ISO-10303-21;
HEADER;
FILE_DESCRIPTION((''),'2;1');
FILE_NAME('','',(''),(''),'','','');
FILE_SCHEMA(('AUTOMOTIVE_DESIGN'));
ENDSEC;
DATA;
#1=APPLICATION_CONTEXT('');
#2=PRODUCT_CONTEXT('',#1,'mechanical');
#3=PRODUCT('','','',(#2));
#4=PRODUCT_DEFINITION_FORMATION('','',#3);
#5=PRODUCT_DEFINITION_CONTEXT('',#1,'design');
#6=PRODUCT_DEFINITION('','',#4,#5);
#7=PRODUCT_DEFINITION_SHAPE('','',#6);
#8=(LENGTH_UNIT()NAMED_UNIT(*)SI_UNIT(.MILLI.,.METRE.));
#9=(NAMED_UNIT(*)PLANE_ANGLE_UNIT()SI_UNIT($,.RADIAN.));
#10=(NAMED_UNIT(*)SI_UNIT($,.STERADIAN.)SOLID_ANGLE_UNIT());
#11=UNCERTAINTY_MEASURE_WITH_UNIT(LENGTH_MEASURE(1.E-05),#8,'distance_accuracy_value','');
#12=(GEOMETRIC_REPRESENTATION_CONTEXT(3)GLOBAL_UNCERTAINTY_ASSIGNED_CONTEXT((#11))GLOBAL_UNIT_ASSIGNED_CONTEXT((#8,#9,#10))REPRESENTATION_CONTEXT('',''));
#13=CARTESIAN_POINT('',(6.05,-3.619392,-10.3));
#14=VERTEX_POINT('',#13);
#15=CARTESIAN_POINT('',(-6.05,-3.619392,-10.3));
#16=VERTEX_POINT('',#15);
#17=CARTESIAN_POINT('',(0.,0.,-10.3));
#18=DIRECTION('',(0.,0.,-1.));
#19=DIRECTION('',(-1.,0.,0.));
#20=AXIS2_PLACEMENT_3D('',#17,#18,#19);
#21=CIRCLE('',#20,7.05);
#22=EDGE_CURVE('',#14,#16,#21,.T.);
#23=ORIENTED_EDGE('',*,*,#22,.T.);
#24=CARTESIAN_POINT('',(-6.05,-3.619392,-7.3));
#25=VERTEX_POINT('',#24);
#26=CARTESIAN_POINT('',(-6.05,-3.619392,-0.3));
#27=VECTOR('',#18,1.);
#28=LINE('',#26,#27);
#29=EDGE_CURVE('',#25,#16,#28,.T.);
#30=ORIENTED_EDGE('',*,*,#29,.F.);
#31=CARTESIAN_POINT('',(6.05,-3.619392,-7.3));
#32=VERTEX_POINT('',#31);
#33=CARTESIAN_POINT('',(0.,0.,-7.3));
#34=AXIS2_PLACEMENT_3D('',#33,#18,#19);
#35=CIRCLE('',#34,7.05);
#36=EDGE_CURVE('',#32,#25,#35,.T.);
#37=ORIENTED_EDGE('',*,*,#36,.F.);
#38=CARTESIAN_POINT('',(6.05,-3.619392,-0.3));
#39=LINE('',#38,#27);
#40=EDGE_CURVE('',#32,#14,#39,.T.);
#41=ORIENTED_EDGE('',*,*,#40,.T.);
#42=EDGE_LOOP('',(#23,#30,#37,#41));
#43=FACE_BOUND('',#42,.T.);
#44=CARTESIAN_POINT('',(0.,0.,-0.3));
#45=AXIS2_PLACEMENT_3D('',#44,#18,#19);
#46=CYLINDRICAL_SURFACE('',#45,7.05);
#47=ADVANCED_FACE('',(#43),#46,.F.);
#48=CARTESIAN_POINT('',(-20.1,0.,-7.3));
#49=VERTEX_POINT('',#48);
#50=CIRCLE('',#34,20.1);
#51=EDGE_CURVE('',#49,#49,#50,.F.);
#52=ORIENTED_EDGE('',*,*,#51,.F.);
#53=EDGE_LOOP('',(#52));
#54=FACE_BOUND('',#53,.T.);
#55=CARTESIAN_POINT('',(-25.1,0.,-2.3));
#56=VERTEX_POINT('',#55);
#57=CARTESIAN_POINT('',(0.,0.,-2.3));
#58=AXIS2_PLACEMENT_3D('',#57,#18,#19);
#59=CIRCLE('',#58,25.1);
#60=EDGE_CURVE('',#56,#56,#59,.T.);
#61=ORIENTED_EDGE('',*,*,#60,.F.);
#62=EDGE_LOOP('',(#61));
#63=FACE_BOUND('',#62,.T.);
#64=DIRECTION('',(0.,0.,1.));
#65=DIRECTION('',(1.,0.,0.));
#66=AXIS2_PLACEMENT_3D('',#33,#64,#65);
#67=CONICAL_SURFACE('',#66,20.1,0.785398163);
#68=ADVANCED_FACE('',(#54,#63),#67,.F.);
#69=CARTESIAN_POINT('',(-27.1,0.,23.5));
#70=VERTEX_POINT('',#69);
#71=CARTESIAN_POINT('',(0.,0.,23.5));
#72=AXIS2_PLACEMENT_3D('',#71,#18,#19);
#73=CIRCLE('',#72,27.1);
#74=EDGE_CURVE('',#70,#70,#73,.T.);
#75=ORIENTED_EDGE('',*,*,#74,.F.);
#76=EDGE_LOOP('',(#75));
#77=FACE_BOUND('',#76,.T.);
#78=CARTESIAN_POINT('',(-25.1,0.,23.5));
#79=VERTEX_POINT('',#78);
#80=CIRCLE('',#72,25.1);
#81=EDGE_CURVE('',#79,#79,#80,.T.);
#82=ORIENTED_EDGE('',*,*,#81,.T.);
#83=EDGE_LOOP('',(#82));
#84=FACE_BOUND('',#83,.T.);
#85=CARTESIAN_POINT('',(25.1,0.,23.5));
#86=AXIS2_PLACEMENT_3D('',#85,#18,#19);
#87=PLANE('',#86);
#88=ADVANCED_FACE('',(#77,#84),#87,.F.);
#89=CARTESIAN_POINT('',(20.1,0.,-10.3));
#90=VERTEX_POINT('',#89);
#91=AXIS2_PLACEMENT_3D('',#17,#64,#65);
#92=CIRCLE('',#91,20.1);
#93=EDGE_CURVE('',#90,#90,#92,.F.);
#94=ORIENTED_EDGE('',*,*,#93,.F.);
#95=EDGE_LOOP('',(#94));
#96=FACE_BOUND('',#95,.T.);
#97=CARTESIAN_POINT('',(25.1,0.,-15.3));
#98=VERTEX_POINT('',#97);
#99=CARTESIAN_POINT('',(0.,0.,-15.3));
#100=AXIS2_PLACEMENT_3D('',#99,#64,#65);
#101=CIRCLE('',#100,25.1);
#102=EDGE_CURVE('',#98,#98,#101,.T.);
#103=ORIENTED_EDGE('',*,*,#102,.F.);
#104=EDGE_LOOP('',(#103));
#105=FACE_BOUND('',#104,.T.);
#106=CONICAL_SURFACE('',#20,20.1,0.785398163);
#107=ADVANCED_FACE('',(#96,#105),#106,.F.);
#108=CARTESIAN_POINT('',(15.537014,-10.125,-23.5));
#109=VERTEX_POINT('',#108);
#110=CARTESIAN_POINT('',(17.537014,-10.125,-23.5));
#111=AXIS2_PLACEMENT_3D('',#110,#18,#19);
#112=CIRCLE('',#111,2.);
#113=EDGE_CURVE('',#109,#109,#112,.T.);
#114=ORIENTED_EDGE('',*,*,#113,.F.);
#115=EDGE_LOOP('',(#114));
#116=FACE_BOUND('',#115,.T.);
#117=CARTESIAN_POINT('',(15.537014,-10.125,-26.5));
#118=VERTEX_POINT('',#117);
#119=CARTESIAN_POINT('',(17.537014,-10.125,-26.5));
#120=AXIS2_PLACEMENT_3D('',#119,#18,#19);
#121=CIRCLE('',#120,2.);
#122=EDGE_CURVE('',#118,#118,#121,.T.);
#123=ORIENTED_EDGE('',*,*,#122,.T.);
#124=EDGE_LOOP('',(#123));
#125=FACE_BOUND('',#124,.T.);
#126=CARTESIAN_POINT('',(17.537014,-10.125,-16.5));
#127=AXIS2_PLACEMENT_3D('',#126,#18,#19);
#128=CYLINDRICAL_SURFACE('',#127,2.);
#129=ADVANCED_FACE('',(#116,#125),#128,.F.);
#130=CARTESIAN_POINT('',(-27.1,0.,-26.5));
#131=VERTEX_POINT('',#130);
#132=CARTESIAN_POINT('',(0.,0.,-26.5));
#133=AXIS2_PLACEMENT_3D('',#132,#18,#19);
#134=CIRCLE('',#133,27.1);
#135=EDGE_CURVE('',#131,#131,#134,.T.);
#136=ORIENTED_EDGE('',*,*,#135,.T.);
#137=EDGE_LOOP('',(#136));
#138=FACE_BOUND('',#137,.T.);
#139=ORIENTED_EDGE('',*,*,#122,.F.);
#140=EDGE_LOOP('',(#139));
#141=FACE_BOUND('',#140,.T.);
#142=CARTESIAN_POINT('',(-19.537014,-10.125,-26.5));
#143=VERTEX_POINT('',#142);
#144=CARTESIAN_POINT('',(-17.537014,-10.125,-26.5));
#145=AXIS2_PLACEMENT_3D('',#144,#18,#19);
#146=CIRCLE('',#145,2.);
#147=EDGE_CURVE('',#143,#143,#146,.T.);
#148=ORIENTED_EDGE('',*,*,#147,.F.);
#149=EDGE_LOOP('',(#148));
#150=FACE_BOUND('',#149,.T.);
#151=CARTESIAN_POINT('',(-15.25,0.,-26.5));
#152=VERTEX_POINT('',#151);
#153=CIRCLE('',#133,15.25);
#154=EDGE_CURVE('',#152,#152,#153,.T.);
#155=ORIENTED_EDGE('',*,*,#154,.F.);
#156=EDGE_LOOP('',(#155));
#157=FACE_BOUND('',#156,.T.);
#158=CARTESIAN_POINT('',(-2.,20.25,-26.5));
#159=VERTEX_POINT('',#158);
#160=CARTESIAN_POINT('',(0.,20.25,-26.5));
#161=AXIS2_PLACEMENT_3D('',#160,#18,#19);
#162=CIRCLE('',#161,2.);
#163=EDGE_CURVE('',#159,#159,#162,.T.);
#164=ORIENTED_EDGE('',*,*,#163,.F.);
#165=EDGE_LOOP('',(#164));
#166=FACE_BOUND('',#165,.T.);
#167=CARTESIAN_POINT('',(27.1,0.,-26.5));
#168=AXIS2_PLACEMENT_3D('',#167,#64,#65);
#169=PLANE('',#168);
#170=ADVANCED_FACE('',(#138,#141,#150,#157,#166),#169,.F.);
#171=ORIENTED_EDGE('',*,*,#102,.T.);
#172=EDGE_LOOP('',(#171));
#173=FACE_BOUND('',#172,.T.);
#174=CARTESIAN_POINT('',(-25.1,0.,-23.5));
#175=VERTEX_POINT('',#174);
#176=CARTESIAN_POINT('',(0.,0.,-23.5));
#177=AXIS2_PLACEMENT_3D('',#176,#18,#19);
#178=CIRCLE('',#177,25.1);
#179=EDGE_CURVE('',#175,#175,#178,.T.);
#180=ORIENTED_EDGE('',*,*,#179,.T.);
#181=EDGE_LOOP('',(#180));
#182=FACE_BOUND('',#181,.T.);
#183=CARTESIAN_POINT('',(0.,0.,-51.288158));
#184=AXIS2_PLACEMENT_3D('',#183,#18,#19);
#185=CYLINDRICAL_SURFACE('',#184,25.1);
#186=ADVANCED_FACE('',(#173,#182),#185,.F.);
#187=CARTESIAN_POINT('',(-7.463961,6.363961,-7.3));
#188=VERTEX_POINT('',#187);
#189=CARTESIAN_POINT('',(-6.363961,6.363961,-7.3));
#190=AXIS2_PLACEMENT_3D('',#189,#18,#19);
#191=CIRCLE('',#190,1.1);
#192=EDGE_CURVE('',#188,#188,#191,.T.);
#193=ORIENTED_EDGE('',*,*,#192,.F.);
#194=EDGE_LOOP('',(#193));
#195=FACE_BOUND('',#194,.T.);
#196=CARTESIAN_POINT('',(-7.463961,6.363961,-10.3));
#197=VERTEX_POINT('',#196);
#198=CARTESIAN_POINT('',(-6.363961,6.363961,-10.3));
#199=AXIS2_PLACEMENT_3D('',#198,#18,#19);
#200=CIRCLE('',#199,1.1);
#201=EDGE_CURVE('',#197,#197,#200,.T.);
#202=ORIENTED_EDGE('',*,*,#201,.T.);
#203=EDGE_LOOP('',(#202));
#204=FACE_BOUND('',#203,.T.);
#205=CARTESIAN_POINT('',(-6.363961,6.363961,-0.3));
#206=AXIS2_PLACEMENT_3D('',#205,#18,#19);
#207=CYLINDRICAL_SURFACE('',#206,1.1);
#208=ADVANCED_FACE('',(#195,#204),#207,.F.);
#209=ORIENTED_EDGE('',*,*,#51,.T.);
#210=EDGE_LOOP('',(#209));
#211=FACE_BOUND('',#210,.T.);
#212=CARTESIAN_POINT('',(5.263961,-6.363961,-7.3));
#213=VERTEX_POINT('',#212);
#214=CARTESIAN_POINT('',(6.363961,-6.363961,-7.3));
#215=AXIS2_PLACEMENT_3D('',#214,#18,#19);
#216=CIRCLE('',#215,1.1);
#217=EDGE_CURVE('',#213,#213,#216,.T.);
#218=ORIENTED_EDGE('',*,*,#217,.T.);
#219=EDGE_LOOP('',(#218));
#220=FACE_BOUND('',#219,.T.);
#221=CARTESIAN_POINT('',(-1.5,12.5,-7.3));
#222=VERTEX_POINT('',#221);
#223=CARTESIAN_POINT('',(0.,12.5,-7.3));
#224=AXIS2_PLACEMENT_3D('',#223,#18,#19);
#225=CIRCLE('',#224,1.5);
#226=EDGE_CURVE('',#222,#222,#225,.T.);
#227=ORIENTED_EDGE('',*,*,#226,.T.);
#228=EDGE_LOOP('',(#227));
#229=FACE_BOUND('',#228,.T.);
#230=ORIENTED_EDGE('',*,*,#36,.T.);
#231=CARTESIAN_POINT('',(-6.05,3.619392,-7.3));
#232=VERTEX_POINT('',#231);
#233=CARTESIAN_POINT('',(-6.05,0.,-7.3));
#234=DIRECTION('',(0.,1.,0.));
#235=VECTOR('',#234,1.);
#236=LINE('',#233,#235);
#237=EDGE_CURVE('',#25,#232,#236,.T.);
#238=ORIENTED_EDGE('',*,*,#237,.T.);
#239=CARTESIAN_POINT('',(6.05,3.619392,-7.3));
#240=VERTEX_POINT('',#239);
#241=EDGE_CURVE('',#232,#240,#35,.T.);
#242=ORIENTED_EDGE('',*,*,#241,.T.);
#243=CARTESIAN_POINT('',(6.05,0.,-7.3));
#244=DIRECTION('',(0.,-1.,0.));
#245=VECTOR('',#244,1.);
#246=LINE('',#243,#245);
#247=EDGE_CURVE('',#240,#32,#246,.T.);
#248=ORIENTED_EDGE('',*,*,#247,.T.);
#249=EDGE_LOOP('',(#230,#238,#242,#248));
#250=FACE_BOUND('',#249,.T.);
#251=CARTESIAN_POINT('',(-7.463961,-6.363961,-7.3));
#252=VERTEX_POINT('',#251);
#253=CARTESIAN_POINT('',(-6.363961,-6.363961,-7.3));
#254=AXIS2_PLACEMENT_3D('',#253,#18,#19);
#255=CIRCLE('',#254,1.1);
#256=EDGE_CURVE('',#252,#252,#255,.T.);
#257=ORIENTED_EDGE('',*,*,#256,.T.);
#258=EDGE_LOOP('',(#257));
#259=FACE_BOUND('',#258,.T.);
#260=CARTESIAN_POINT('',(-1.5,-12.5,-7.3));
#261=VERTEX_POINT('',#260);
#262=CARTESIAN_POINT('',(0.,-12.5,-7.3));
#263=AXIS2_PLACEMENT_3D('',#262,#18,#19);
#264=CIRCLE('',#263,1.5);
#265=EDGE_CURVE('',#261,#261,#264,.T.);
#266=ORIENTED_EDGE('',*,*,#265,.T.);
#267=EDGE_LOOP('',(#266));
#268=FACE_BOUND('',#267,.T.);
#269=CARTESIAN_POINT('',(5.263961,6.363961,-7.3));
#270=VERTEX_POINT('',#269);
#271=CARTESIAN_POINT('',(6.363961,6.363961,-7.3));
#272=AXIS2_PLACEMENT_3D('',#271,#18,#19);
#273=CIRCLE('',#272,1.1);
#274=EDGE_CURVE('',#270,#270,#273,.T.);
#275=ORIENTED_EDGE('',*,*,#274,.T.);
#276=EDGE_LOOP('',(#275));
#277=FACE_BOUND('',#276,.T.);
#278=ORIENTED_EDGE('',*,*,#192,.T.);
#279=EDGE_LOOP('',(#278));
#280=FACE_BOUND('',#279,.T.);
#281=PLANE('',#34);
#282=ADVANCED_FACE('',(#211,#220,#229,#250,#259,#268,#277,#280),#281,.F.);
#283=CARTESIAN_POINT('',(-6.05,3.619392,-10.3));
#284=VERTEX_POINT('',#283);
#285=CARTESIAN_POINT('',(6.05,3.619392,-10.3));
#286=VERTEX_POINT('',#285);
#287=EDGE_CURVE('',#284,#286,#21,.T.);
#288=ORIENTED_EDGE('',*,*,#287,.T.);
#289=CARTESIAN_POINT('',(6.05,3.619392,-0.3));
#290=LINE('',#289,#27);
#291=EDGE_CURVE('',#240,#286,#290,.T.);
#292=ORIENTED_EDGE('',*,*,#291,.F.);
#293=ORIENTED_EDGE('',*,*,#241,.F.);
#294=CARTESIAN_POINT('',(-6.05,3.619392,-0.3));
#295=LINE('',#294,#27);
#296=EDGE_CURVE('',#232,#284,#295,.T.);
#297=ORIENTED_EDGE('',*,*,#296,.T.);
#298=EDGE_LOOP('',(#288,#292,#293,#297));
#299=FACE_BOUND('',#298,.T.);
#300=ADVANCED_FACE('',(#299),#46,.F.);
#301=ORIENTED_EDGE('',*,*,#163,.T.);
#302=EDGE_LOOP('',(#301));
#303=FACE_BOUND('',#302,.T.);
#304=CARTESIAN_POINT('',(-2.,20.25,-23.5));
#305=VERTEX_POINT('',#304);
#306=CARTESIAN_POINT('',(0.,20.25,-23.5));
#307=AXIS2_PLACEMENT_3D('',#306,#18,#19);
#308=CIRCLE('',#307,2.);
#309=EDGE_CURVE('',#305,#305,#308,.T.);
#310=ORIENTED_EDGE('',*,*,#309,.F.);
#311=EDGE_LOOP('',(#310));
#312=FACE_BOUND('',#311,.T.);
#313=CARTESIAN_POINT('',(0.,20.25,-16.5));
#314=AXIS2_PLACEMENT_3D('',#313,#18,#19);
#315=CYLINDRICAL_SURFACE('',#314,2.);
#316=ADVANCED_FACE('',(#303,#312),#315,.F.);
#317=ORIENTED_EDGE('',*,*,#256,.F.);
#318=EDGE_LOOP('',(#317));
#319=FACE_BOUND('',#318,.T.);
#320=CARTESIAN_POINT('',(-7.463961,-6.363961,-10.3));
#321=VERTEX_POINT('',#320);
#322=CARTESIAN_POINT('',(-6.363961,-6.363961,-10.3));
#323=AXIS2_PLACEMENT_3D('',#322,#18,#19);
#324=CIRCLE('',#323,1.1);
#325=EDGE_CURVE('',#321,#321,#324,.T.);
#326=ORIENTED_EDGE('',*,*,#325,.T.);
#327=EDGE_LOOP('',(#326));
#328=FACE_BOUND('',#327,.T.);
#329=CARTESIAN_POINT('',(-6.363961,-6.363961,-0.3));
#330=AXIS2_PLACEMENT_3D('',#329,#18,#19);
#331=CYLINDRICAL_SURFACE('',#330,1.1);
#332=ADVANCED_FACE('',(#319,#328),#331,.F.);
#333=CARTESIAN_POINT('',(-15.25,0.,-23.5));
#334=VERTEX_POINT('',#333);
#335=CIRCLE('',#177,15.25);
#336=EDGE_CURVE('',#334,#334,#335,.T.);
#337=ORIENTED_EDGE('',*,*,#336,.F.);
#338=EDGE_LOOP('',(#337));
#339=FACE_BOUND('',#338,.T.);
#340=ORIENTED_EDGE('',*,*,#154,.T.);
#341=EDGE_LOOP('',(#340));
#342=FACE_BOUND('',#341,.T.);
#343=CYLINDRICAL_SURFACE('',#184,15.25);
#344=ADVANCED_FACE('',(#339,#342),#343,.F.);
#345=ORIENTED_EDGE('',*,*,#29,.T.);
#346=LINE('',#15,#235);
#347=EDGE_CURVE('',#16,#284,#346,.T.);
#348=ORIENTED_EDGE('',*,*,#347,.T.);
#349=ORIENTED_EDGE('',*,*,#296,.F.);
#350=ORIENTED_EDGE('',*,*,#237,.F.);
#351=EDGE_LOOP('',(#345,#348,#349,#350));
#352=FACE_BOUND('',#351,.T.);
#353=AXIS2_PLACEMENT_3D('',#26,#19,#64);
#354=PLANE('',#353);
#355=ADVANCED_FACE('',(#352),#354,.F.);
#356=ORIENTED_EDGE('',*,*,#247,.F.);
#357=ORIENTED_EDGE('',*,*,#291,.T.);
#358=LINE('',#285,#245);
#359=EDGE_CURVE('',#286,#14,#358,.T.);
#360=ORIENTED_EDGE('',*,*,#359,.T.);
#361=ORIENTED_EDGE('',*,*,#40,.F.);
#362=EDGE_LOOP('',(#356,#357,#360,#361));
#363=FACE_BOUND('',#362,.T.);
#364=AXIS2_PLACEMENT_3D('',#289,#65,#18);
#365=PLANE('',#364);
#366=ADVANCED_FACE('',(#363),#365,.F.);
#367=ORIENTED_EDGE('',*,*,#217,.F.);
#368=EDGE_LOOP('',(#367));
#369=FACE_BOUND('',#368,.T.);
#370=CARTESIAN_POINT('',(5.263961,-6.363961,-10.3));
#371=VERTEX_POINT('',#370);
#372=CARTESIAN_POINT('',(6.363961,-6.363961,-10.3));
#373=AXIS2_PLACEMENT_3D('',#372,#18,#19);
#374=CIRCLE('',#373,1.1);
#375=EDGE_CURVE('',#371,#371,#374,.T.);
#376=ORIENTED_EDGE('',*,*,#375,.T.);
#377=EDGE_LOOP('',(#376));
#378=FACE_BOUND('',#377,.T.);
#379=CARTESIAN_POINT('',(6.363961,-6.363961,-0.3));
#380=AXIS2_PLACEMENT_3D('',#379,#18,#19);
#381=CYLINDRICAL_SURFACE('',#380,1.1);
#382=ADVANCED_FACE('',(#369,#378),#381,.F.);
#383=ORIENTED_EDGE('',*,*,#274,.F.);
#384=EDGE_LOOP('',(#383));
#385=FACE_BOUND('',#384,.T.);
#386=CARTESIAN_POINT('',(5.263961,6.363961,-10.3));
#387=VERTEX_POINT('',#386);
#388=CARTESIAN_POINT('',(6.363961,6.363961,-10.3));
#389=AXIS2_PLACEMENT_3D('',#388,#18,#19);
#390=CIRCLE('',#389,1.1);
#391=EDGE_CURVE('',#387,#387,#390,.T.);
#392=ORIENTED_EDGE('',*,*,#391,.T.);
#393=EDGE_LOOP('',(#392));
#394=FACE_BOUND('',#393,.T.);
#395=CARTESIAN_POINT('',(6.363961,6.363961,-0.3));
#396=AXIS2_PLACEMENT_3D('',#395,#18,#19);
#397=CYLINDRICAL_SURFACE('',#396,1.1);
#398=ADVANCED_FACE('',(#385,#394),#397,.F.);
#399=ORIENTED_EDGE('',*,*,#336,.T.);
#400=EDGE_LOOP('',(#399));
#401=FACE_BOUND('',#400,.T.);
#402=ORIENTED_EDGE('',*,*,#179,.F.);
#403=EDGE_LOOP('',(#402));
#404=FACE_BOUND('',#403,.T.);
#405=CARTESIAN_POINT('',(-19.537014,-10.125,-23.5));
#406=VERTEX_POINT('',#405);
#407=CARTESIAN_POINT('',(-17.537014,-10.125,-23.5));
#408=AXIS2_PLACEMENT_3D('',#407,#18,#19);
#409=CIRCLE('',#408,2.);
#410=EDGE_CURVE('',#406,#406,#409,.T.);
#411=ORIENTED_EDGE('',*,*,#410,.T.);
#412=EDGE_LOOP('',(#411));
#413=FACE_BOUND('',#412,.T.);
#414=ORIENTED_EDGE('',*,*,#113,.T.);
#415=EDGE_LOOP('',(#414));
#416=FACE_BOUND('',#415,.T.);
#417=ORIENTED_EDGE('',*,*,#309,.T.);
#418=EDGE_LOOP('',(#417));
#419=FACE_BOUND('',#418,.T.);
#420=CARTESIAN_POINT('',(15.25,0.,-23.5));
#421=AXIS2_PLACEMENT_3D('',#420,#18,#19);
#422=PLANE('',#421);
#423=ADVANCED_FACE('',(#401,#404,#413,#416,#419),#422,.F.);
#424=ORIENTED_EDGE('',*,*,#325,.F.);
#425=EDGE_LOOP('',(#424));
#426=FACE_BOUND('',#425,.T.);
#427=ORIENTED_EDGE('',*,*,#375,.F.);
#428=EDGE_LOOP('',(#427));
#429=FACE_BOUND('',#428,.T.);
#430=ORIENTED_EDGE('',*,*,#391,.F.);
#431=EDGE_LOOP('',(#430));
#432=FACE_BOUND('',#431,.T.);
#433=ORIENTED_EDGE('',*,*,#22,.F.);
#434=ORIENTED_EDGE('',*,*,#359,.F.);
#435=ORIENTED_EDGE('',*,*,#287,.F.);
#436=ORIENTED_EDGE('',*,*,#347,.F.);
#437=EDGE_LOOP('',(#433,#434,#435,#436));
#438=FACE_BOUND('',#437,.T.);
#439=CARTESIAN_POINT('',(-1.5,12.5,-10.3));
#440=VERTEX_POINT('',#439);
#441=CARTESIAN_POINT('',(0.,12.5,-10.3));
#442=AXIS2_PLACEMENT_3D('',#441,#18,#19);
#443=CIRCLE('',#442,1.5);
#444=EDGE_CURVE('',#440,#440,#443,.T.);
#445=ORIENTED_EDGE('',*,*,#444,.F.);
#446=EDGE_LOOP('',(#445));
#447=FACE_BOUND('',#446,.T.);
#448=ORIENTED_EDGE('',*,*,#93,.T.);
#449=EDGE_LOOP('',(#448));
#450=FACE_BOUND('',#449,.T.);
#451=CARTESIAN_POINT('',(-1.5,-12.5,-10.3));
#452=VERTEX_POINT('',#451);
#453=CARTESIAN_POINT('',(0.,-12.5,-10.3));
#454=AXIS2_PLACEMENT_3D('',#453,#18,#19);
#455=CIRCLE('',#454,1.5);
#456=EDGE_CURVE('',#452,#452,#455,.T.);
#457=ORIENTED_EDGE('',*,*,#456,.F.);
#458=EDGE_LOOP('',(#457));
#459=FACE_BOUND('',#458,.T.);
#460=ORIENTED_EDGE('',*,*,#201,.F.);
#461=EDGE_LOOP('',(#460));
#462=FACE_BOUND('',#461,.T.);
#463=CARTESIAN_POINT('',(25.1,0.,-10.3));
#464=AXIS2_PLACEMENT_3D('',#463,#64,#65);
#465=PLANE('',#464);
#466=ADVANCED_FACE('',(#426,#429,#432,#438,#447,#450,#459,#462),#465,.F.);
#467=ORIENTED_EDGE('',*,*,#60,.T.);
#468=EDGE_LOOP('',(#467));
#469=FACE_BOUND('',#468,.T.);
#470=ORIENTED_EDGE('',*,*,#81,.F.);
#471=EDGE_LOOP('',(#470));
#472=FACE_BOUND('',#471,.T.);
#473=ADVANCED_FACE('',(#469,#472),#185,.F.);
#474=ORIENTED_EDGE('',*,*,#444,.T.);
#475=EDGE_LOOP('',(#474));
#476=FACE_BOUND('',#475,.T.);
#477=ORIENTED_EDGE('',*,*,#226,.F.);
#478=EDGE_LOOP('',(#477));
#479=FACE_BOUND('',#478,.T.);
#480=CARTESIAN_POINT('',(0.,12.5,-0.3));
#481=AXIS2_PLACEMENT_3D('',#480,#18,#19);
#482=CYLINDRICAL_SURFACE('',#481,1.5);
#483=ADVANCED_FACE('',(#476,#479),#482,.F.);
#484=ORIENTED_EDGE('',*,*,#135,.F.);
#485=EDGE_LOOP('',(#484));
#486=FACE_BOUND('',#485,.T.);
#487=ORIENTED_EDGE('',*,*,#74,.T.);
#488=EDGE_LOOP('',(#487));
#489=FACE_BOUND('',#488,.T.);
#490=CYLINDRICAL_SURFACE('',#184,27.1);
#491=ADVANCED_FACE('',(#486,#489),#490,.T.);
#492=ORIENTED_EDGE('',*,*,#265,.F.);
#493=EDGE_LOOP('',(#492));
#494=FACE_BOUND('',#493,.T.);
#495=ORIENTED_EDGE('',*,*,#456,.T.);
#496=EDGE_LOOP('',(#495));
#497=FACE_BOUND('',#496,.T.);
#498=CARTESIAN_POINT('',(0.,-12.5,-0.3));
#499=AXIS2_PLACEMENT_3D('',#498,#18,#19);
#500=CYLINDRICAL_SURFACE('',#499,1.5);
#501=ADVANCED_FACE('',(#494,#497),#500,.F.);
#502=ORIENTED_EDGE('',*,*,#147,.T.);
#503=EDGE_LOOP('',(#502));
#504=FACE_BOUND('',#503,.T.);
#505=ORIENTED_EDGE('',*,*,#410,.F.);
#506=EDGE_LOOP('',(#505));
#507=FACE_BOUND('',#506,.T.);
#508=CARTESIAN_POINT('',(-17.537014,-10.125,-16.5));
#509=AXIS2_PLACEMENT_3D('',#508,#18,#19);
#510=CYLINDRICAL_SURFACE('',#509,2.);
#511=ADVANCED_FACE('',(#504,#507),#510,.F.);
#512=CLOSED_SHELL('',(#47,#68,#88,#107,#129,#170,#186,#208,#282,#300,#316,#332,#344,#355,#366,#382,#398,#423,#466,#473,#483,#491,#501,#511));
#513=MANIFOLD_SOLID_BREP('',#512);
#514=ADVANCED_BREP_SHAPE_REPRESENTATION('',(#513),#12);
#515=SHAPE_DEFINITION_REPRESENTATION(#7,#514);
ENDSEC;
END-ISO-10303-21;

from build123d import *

# Parameters (mm, degrees)
SKETCH2_R          = 2
CUT_EXTRUDE1_DEPTH = 10
SKETCH3_W          = 25.1
SKETCH3_H          = 3
CHAMFER1_SIZE      = 5
SKETCH4_R          = 1.1
SKETCH4_R_2        = 1.5
CUT_EXTRUDE2_DEPTH = 10


with BuildPart() as part:
    # Sketch1 → Revolve1 (revolve)
    with BuildSketch(Plane(origin=(0, 0, 0), x_dir=(1, 0, 0), z_dir=(0, 1, 0))):
        Polygon((15.25, 26.5), (15.25, 23.5), (25.1, 23.5), (25.1, -23.5), (27.1, -23.5), (27.1, 26.5), align=None)
    revolve(axis=Axis((0, 0, -51.288157895), (0, 0, 1)))

    # Sketch2 → Cut-Extrude1 (cut)
    with BuildSketch(Plane(origin=(0, 0, -26.5), x_dir=(-1, 0, 0), z_dir=(0, 0, -1))):
        with Locations((0, 20.25)):
            Circle(SKETCH2_R)
        with Locations((17.537014427, -10.125)):
            Circle(SKETCH2_R)
        with Locations((-17.537014427, -10.125)):
            Circle(SKETCH2_R)
    extrude(amount=-CUT_EXTRUDE1_DEPTH, mode=Mode.SUBTRACT)

    # Sketch3 → Revolve2 (revolve)
    with BuildSketch(Plane(origin=(0, 0, 0), x_dir=(1, 0, 0), z_dir=(0, 1, 0))):
        with Locations((12.55, 8.8)):
            Rectangle(SKETCH3_W, SKETCH3_H)
    revolve(axis=Axis((0, 0, -51.288157895), (0, 0, 1)))

    # Chamfer1
    chamfer1_edges = [part.edges().sort_by_distance(p)[0] for p in [
        (-25.1, 0, -7.3),
        (-25.1, 0, -10.3),
    ]]
    chamfer(chamfer1_edges, length=CHAMFER1_SIZE)

    # Sketch4 → Cut-Extrude2 (cut)
    with BuildSketch(Plane(origin=(0, 0, -10.3), x_dir=(-1, 0, 0), z_dir=(0, 0, -1))):
        with Locations((-6.363961031, 6.363961031)):
            Circle(SKETCH4_R)
        with Locations((6.363961031, 6.363961031)):
            Circle(SKETCH4_R)
        with Locations((6.363961031, -6.363961031)):
            Circle(SKETCH4_R)
        with Locations((-6.363961031, -6.363961031)):
            Circle(SKETCH4_R)
        with Locations((0, 12.5)):
            Circle(SKETCH4_R_2)
        with Locations((0, -12.5)):
            Circle(SKETCH4_R_2)
        with BuildLine():
            Line((-6.05, 3.619392214), (-6.05, -3.619392214))
            ThreePointArc((-6.05, -3.619392214), (0, -7.05), (6.05, -3.619392214))
            Line((6.05, -3.619392214), (6.05, 3.619392214))
            ThreePointArc((6.05, 3.619392214), (0, 7.05), (-6.05, 3.619392214))
        make_face()
    extrude(amount=-CUT_EXTRUDE2_DEPTH, mode=Mode.SUBTRACT)


solid = part.part
